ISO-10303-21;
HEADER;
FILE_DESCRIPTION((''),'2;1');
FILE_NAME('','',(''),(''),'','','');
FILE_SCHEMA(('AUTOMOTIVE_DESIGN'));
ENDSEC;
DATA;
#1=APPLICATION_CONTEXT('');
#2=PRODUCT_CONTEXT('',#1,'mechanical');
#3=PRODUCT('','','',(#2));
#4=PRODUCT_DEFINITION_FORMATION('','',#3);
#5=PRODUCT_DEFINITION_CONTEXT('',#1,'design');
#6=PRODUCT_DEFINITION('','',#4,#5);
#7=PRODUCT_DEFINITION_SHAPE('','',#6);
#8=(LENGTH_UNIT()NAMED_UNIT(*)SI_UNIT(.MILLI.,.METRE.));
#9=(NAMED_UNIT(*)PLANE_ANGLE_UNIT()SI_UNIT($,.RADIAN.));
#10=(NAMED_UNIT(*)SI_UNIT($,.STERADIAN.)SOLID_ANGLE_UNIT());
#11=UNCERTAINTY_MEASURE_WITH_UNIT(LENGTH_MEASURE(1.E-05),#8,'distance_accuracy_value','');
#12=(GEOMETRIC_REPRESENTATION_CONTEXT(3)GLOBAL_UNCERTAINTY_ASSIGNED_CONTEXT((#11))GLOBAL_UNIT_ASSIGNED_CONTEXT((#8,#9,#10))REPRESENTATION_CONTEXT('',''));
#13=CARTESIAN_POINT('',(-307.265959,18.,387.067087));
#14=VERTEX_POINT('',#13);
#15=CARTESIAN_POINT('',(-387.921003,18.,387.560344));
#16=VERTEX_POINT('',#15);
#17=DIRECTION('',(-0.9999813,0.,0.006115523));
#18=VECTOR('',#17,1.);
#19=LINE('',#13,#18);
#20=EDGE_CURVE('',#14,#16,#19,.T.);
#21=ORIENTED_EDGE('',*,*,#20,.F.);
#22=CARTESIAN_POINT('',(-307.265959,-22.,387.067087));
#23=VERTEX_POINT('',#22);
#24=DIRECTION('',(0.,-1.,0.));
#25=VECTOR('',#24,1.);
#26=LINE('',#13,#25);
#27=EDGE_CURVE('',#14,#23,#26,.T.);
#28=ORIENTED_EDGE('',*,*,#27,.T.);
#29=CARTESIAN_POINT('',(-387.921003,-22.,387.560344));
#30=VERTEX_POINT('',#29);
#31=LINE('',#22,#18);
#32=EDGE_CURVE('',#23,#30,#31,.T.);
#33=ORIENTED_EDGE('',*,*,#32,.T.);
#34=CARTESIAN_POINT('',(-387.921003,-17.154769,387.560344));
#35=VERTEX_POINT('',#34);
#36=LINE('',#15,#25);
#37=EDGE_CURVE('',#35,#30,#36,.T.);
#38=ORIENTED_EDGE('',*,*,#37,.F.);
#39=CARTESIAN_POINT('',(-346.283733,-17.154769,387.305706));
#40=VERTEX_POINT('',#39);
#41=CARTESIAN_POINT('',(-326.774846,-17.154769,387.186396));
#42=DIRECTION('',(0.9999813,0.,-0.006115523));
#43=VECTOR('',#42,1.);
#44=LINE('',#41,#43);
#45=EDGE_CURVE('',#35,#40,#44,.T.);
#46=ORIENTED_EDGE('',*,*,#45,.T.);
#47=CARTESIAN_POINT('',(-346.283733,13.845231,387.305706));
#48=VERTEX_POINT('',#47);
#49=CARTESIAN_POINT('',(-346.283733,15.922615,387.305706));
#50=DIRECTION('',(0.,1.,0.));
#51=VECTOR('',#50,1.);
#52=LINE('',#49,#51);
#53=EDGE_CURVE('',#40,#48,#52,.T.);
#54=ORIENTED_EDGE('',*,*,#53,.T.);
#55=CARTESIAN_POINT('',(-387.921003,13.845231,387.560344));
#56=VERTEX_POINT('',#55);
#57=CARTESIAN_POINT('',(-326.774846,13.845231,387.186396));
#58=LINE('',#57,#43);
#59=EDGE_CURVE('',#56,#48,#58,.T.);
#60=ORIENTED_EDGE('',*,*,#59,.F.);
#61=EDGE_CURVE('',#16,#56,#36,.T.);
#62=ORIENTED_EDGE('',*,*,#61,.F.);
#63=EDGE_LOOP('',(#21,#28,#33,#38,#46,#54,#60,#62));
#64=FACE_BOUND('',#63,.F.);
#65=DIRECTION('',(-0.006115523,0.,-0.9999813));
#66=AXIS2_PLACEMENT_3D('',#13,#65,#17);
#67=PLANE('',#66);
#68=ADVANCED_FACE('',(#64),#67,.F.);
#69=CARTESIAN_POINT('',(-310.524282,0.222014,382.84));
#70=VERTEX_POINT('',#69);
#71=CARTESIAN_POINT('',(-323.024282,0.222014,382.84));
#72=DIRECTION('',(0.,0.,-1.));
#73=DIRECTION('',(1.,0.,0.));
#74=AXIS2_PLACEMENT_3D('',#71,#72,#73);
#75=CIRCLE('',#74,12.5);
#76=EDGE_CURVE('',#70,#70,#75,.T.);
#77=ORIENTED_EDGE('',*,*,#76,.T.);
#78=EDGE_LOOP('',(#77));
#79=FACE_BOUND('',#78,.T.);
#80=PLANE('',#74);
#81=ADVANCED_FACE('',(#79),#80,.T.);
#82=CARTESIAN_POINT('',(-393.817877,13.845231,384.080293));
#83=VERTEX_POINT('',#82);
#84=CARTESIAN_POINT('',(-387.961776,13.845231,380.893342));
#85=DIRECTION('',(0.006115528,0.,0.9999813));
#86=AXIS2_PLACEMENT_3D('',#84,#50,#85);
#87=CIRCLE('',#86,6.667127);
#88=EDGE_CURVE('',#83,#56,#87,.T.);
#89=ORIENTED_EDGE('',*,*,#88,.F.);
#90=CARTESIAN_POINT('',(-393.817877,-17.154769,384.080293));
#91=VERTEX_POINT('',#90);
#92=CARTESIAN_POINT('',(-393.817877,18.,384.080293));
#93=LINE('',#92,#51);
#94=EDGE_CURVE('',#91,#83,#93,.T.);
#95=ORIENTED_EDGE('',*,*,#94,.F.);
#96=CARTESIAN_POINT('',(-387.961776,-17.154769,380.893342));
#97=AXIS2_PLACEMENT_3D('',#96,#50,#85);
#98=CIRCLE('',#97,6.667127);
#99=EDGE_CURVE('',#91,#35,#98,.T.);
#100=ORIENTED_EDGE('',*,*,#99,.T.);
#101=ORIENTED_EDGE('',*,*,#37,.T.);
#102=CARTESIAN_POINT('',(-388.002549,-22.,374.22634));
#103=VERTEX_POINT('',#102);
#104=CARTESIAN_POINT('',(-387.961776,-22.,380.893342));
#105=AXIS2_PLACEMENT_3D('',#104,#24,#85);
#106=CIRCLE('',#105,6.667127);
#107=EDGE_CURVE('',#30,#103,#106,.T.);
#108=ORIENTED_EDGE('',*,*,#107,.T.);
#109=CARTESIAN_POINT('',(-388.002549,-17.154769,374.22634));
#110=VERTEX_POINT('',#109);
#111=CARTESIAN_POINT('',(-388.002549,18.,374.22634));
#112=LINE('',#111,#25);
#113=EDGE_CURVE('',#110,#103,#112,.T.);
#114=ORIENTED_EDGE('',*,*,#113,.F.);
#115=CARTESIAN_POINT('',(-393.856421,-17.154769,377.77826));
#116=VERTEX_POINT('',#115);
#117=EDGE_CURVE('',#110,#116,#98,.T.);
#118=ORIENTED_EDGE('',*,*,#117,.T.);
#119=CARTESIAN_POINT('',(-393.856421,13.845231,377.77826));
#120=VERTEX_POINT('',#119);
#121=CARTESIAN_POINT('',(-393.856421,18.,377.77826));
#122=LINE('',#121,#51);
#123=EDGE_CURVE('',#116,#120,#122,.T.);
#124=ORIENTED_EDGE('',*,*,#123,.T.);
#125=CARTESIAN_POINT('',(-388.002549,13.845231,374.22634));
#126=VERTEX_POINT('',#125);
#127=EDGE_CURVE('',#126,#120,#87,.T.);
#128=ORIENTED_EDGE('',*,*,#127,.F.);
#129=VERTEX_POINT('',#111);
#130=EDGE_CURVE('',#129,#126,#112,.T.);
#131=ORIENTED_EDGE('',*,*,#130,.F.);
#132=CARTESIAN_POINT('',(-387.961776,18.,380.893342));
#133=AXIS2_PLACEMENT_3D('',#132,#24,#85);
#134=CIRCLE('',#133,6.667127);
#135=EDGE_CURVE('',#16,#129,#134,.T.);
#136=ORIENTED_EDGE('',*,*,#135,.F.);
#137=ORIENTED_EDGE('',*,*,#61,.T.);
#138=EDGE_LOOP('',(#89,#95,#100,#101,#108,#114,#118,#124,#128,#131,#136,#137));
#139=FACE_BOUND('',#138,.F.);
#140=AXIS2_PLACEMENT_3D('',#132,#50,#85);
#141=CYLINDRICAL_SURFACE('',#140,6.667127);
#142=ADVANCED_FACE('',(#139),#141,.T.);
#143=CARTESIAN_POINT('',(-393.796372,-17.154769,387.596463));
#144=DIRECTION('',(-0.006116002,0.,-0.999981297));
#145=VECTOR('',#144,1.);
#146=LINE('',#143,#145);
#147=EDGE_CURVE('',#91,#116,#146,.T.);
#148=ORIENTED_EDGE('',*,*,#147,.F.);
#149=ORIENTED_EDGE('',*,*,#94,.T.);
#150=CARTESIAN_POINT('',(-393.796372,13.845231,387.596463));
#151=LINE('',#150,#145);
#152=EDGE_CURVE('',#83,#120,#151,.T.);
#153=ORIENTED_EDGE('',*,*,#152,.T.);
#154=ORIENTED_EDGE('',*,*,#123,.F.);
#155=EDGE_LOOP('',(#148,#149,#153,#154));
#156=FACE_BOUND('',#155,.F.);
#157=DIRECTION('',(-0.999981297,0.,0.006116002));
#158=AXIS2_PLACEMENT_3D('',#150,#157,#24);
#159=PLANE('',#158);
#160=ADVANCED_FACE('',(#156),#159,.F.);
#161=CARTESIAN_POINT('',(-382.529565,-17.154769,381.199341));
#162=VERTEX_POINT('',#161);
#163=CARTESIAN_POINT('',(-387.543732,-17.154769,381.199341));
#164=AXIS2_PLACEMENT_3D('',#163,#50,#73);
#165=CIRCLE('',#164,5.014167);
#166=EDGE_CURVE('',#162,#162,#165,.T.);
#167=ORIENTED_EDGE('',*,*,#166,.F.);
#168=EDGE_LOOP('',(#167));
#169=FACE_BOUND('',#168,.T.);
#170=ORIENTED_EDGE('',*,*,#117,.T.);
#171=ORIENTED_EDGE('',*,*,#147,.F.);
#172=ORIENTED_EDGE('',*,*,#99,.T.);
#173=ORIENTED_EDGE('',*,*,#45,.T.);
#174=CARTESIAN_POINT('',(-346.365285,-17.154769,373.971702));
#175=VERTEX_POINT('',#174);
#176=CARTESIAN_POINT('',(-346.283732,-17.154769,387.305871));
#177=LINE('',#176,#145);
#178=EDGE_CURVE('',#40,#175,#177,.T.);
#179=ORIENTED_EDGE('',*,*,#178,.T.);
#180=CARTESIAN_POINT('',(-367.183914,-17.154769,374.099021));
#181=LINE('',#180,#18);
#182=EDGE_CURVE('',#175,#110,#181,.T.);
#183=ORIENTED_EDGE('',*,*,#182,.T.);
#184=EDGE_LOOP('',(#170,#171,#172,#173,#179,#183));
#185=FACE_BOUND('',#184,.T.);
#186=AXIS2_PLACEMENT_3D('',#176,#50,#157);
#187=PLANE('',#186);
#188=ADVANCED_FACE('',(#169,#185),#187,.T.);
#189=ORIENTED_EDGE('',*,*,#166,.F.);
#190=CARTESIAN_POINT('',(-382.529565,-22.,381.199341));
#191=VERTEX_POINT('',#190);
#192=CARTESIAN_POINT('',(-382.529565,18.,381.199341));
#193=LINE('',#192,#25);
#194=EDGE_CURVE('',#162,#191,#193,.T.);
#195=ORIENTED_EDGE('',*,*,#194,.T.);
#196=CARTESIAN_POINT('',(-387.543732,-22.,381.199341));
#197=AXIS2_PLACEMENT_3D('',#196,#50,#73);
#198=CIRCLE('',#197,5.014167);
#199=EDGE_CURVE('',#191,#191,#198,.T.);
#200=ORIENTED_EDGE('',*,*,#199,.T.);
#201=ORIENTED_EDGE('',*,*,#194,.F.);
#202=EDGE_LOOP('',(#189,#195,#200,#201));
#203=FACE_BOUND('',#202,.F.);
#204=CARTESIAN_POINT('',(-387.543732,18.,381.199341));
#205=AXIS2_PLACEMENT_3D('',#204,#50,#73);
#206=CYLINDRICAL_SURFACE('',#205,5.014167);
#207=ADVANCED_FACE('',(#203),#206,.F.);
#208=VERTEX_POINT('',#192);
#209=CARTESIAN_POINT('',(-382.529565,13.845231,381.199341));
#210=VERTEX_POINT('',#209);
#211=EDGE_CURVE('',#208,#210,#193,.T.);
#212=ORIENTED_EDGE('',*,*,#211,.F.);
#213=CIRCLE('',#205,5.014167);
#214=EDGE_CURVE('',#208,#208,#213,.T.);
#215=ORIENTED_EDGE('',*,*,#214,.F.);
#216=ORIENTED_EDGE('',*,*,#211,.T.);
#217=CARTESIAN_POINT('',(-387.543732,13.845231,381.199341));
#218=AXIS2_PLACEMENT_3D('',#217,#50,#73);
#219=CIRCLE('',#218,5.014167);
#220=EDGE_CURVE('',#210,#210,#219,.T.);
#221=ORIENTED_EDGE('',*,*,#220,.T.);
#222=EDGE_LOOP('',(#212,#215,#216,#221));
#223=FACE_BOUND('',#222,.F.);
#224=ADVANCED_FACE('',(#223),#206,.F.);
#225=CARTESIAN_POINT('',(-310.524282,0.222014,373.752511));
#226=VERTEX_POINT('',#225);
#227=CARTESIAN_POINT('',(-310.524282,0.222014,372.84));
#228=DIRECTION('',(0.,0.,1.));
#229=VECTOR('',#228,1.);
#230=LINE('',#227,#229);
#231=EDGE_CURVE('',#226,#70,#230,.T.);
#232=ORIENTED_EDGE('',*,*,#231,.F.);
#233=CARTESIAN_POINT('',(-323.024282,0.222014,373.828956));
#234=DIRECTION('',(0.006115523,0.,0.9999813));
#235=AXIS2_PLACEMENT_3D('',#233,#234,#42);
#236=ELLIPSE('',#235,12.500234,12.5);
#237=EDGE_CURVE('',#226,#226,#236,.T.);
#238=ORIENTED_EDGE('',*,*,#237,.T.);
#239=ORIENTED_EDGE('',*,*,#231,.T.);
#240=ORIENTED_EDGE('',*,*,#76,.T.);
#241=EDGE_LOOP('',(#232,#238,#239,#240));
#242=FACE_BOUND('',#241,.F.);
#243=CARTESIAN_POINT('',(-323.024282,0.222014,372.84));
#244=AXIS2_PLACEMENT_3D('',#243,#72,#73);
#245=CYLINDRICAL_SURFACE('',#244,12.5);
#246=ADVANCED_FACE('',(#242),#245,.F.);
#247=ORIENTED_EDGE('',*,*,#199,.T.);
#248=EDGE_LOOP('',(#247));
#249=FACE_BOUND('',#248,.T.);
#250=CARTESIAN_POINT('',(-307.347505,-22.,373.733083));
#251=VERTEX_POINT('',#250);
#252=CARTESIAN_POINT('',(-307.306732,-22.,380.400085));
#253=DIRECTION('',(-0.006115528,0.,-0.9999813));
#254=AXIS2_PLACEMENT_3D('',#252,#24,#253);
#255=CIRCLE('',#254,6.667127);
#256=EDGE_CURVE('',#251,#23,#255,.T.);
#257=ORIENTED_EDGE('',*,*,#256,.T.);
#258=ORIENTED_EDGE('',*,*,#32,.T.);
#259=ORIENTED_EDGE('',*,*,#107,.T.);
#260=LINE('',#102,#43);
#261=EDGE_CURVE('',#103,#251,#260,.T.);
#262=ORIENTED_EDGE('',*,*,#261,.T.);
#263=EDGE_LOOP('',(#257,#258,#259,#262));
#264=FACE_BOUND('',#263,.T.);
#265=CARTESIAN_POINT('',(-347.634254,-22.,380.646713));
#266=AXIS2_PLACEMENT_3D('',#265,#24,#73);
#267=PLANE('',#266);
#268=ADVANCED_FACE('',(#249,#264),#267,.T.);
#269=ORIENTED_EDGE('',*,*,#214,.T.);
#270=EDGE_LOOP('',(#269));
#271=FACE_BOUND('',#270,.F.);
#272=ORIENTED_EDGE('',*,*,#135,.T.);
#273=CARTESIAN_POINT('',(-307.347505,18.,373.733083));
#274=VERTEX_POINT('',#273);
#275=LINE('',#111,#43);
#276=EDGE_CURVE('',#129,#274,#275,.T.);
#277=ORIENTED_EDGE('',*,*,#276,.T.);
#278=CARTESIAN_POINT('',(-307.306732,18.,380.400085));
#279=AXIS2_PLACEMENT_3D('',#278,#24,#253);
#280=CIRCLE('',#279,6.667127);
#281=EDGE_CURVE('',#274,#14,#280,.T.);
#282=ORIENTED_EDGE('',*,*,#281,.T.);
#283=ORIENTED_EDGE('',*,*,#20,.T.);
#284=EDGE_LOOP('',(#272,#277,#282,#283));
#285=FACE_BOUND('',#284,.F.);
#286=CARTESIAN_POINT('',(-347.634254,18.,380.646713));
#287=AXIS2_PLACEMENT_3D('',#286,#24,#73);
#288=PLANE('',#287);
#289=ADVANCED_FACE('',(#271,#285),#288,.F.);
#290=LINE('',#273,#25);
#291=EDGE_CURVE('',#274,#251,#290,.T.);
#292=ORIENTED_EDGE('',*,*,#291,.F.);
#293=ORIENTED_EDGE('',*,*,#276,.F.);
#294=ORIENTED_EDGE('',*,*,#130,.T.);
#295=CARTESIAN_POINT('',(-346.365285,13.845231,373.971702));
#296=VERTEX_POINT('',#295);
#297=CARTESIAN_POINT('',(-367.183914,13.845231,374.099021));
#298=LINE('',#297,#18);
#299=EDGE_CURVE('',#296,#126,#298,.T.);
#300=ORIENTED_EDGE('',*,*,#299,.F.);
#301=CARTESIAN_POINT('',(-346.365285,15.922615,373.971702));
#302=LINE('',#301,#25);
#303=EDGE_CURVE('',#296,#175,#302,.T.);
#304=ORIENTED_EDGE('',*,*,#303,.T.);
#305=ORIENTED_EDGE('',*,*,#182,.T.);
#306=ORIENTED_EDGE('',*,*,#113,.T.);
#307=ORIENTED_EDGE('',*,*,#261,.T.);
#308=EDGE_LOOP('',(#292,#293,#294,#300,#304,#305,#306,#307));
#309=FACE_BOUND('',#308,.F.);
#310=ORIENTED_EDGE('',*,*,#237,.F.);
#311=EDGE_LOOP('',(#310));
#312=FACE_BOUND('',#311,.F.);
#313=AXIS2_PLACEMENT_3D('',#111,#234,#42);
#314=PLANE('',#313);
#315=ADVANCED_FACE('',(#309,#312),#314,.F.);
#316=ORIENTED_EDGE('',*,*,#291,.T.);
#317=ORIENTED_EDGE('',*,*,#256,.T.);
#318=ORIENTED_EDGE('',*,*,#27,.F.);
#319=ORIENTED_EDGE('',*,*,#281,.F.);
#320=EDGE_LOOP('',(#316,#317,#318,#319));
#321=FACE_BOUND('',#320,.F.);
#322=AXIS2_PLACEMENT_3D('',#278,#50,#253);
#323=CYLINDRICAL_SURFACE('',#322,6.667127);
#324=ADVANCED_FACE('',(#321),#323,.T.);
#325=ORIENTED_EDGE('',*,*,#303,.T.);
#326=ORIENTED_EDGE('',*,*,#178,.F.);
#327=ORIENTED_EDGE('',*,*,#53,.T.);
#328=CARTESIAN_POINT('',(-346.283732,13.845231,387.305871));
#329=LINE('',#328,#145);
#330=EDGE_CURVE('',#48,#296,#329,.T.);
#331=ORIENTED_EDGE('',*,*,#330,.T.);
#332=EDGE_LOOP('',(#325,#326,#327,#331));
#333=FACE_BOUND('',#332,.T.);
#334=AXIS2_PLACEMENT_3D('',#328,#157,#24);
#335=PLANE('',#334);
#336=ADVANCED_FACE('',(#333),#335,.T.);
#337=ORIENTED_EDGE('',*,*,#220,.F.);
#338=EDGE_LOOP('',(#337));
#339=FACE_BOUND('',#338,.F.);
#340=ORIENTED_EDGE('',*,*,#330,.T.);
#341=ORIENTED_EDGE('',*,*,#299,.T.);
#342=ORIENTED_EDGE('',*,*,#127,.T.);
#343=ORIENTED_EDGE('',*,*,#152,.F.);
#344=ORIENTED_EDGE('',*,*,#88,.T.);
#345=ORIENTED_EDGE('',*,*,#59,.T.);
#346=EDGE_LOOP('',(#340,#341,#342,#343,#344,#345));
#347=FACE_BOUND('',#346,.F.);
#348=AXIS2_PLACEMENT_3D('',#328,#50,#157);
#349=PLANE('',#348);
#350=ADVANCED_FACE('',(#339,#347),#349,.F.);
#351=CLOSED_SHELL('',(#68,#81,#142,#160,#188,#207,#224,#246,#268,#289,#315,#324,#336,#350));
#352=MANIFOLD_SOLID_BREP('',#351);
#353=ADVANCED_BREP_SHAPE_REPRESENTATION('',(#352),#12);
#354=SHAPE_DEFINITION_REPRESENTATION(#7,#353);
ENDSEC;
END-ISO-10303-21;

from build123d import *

# Parameters (mm, degrees)
PAD008_DEPTH    = 40
SKETCH020_W     = 47.513529
SKETCH020_H     = 31
POCKET_DEPTH    = 13.86915
SKETCH021_R     = 5.014167
POCKET003_DEPTH = 40.001
SKETCH023_R     = 12.5
POCKET004_DEPTH = 10


with BuildPart() as part:
    # Sketch019 → Pad008 (new body)
    with BuildSketch(Plane.XZ):
        with BuildLine():
            ThreePointArc((-387.921003, 387.560344), (-394.628778, 380.934115), (-388.002549, 374.22634))
            Line((-388.002549, 374.22634), (-307.347505, 373.733083))
            ThreePointArc((-307.347505, 373.733083), (-300.63973, 380.359312), (-307.265959, 387.067087))
            Line((-307.265959, 387.067087), (-387.921003, 387.560344))
        make_face()
    extrude(amount=PAD008_DEPTH)

    # Sketch020 (on Face4 of Pad008) → Pocket (cut, through all)
    with BuildSketch(Plane(origin=(2.355584, 0, 385.173552), x_dir=(-0.999981, 0, 0.006116), z_dir=(0.006116, 0, 0.999981))):
        with Locations((372.402601, 19.654769)):
            Rectangle(SKETCH020_W, SKETCH020_H)
    extrude(amount=-POCKET_DEPTH, mode=Mode.SUBTRACT)

    # Sketch021 (on Face2 of Pocket) → Pocket003 (cut, through all)
    with BuildSketch(Plane(origin=(0, 0, 0), x_dir=(1, 0, 0), z_dir=(0, 1, 0))):
        with Locations((-387.543732, -381.199341)):
            Circle(SKETCH021_R)
    extrude(amount=-POCKET003_DEPTH, mode=Mode.SUBTRACT)

    # Sketch023 → Pocket004 (cut)
    with BuildSketch(Plane(origin=(2.27, 3, 372.84), x_dir=(1, 0, 0), z_dir=(0, 0, -1))):
        with Locations((-325.294282, 20.777986)):
            Circle(SKETCH023_R)
    extrude(amount=-POCKET004_DEPTH, mode=Mode.SUBTRACT)


with BuildPart() as part_1:
    # Body010 placement: moved
    add(part.part.moved(Location((0, 18, 0))))


solid = part_1.part
